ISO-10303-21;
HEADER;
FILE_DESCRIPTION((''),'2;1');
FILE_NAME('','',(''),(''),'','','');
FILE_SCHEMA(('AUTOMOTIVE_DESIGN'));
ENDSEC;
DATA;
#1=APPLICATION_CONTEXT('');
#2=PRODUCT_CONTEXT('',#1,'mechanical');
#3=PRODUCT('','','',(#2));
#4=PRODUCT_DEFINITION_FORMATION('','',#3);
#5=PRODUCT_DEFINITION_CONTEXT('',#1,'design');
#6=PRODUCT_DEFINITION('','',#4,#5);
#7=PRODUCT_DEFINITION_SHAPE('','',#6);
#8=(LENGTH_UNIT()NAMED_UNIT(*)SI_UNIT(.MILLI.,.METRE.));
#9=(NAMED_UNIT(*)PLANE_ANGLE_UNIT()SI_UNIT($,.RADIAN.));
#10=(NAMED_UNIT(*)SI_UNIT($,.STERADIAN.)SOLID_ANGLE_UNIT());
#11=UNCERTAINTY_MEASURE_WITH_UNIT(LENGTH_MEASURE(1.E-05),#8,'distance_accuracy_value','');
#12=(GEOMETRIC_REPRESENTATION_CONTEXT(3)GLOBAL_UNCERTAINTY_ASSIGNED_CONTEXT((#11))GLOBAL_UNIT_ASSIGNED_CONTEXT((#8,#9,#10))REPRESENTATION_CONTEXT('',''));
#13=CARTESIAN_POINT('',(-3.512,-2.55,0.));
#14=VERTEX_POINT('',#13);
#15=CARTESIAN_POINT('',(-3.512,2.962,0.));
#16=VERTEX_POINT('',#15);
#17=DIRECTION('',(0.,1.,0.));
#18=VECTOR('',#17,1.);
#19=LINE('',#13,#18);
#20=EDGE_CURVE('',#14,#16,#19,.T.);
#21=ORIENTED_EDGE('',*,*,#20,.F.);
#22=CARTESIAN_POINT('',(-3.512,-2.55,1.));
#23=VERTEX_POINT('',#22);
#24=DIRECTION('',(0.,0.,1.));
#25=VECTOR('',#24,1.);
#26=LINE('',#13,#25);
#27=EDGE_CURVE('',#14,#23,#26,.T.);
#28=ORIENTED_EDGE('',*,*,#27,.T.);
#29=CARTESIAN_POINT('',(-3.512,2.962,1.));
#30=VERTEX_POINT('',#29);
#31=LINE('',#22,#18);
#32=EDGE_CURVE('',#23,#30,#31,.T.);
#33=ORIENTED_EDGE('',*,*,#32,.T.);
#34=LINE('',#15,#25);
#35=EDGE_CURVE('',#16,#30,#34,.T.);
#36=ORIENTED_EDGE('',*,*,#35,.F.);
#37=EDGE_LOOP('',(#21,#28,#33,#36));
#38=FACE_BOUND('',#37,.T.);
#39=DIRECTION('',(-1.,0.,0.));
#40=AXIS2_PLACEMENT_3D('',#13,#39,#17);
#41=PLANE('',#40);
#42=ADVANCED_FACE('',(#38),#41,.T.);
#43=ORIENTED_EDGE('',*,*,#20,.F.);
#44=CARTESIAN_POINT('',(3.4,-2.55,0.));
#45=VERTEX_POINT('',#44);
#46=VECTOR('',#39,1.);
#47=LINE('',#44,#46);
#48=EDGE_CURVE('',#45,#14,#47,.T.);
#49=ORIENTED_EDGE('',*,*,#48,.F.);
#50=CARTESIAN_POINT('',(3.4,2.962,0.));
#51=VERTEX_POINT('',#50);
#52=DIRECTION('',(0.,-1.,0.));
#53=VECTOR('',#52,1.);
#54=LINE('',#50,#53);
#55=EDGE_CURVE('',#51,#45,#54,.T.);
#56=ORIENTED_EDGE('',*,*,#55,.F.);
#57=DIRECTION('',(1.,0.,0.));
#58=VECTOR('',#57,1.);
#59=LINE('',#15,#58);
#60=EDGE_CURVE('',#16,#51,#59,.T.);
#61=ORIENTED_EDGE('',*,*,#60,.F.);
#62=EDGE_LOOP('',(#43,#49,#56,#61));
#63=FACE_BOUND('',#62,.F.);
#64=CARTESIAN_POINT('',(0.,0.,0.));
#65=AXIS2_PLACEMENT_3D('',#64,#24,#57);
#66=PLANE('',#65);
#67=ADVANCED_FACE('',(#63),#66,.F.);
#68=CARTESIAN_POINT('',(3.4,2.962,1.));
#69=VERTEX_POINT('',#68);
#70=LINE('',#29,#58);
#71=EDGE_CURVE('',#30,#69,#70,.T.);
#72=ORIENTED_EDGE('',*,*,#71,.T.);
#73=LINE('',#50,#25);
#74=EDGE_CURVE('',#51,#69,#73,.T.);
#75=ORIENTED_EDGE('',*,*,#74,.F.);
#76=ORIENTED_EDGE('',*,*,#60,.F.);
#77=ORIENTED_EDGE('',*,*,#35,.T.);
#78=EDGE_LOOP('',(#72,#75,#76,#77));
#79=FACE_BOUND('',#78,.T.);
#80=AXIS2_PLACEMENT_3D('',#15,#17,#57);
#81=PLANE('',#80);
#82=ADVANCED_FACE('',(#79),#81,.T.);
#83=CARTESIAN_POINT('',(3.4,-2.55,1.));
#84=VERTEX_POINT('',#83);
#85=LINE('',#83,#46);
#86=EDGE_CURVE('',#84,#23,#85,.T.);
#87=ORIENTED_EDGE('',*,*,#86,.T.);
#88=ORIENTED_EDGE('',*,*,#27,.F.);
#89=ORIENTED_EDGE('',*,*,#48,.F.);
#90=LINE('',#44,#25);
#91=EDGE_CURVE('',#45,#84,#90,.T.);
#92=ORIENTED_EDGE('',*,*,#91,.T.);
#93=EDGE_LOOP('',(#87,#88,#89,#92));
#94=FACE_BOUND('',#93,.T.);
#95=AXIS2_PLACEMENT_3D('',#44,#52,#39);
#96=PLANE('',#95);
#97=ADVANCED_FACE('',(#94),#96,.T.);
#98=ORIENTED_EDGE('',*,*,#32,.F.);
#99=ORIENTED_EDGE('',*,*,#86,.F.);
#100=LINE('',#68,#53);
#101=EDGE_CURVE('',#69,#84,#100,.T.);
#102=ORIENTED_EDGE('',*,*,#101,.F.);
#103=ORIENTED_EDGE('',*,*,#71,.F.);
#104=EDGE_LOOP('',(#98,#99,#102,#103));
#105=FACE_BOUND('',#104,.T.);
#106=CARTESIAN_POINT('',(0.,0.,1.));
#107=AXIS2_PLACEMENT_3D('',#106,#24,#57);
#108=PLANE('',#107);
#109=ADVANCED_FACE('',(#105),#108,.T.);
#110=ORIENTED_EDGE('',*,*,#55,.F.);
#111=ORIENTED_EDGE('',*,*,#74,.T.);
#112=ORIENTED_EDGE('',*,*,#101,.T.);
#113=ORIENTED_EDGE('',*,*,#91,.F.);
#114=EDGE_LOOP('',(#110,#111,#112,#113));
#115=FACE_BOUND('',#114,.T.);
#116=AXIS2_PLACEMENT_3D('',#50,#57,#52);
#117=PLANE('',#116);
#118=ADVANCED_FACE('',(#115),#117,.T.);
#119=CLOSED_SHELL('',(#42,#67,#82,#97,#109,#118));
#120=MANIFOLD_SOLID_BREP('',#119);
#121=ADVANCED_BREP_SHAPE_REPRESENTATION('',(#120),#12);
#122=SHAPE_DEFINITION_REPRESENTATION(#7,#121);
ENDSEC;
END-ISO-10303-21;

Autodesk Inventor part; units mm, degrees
ref_plane "YZ Plane" through (0, 0, 0) normal (1, 0, 0) x (0, 1, 0)
ref_plane "XZ Plane" through (0, 0, 0) normal (0, 1, 0) x (-1, 0, 0)
ref_plane "XY Plane" through (0, 0, 0) normal (0, 0, 1) x (1, 0, 0)
sketch "SOIC8, SN65HVD230D_51" plane through (0, 0, 0) normal (0, 0, 1) x (1, 0, 0)
  line L0 (-3.512, -2.55) -> (-3.512, 2.962)
  line L1 (-3.512, 2.962) -> (3.4, 2.962)
  line L2 (3.4, 2.962) -> (3.4, -2.55)
  line L3 (3.4, -2.55) -> (-3.512, -2.55)
extrude "Extrusion1" add sketch "SOIC8, SN65HVD230D_51" along normal blind 1
properties part number "SN65HVD230D"
